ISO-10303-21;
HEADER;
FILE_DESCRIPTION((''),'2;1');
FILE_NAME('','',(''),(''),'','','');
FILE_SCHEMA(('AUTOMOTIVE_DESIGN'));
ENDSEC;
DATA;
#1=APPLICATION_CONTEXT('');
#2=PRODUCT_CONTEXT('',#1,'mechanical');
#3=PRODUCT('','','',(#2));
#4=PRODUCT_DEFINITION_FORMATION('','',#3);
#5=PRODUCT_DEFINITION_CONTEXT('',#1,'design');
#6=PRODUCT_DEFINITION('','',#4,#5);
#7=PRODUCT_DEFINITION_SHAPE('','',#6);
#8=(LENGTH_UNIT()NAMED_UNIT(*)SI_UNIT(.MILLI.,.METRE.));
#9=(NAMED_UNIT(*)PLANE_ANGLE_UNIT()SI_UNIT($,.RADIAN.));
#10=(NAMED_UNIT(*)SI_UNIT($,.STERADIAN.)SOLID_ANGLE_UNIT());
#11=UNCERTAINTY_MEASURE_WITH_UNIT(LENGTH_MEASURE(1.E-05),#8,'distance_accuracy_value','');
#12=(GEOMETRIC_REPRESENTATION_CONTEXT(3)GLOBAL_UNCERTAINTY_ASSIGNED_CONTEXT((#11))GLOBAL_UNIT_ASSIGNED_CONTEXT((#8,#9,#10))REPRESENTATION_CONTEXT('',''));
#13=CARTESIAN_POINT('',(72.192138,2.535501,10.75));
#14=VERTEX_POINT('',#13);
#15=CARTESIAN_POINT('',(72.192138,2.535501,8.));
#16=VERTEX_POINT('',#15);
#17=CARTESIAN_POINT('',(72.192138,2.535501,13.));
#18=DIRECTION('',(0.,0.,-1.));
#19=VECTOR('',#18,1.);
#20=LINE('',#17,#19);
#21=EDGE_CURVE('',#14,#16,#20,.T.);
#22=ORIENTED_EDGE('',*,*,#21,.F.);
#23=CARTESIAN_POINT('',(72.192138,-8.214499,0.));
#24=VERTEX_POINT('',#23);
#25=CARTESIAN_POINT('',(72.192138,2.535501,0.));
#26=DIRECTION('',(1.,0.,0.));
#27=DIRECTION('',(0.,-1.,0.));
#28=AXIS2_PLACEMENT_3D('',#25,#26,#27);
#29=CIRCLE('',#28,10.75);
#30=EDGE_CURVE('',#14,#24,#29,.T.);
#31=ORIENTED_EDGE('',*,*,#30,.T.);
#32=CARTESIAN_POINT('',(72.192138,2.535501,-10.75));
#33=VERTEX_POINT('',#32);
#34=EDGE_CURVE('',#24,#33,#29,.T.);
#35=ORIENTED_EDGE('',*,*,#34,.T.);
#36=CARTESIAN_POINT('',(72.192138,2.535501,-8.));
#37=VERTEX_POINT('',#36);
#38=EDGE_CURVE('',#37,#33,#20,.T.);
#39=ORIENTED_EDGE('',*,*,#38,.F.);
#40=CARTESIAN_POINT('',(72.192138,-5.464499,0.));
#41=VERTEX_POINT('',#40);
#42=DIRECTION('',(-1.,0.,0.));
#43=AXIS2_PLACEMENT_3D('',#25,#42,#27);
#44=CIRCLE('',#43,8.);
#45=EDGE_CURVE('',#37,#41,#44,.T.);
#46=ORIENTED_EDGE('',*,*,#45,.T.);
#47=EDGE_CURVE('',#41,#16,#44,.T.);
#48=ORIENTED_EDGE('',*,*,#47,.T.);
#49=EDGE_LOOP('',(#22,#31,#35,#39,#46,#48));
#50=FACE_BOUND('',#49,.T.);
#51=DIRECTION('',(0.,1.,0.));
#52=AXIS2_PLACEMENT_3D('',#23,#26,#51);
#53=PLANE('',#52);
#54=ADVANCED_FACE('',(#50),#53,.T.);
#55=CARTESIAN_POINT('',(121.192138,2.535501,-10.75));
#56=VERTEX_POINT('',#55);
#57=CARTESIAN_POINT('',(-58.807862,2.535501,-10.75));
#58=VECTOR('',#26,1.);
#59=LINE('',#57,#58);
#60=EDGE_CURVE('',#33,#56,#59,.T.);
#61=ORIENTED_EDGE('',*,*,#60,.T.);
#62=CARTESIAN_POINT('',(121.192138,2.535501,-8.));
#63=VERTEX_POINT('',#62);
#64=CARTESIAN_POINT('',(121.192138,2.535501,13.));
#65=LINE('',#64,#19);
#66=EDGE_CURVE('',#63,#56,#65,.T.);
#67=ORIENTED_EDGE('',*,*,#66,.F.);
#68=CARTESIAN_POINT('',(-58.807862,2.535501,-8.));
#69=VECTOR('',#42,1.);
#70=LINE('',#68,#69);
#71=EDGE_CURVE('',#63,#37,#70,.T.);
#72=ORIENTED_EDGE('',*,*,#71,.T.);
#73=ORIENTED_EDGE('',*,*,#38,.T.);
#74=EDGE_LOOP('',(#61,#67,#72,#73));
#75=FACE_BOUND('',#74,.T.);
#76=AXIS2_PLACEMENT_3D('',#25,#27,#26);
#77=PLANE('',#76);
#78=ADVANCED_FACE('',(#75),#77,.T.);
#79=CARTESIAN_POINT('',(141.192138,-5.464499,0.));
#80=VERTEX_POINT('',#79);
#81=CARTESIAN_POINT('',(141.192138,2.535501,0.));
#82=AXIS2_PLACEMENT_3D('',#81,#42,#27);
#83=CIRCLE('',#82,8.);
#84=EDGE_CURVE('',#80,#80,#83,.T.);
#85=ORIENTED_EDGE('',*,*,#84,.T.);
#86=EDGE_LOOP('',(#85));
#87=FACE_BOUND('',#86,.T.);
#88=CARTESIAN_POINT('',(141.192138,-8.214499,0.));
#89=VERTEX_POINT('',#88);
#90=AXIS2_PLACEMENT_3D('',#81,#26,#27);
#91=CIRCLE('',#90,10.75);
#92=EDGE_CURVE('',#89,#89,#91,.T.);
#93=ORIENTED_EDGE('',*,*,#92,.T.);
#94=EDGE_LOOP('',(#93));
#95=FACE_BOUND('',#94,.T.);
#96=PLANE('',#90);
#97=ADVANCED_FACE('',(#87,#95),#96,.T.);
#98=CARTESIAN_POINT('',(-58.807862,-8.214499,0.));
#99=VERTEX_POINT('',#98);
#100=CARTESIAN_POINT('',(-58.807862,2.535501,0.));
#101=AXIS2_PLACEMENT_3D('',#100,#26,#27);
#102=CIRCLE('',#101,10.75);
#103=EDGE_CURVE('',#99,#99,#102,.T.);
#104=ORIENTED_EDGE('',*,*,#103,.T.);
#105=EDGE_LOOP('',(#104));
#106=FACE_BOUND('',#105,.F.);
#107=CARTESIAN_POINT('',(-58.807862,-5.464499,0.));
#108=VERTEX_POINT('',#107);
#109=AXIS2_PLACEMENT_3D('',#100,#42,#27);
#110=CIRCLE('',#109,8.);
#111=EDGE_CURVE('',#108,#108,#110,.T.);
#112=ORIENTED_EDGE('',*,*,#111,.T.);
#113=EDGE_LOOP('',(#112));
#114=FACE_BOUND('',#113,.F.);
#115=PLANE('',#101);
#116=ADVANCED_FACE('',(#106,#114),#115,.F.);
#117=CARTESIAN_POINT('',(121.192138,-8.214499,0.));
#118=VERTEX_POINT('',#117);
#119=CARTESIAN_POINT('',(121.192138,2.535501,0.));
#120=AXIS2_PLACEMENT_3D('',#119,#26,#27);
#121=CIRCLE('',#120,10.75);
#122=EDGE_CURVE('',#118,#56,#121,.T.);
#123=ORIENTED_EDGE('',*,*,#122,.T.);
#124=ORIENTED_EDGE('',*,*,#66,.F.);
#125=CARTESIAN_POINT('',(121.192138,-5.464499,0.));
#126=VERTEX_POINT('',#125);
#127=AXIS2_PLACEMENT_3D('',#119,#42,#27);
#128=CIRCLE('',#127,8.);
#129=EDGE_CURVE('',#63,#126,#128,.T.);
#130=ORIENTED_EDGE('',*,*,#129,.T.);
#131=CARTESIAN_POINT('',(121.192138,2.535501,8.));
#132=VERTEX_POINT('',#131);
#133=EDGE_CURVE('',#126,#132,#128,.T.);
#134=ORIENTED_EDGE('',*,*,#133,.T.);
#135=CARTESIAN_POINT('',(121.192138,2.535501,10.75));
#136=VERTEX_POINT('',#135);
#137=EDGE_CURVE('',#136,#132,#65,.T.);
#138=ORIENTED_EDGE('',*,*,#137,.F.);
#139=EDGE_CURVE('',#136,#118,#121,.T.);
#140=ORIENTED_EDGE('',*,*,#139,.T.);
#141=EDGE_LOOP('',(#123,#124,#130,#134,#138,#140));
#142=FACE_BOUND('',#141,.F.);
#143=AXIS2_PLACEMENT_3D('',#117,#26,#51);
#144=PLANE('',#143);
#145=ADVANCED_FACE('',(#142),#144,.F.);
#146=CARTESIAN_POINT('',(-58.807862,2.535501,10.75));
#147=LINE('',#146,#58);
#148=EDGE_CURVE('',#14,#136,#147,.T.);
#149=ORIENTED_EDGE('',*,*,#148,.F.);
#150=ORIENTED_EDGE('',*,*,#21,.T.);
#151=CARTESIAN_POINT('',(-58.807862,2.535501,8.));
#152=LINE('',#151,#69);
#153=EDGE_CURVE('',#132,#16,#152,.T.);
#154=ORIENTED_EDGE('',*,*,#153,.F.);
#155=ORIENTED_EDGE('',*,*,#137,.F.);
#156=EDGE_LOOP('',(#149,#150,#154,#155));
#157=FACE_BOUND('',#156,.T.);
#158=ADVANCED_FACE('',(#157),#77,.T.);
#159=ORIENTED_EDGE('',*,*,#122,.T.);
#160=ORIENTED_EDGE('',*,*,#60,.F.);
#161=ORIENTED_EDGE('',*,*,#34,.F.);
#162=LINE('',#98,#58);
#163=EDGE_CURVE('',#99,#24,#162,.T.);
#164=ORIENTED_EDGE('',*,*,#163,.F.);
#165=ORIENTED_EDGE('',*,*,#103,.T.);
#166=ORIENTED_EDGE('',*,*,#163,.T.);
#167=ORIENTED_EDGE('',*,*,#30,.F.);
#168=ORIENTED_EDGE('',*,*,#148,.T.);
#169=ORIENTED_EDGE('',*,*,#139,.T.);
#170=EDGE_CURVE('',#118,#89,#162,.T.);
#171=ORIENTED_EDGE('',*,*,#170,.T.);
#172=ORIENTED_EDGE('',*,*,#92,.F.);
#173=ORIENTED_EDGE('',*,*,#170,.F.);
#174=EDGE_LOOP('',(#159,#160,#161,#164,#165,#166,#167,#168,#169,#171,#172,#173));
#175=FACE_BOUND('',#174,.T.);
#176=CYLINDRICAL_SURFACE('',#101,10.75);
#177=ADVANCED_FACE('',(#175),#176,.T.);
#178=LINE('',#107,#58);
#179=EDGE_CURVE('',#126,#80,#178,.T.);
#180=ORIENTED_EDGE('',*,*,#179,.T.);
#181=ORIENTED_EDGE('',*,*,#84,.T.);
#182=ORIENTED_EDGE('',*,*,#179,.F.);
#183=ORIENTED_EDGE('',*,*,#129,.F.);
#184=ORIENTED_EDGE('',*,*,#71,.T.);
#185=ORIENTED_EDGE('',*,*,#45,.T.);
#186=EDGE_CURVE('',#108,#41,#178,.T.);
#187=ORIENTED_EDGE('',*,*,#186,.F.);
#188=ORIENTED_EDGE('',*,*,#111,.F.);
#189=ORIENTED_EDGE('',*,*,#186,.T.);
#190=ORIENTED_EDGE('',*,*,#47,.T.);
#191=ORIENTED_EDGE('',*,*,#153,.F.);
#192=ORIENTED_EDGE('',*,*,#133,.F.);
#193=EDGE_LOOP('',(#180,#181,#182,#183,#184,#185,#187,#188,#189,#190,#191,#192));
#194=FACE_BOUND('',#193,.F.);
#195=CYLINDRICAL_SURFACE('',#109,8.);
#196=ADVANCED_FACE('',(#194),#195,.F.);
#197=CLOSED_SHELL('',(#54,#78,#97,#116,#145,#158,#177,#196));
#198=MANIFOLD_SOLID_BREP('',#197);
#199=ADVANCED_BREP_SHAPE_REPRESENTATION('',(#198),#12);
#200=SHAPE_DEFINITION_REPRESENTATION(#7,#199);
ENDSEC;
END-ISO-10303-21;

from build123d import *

# Parameters (mm, degrees)
F0_W     = 131
F0_H     = 10.75
F0_W_2   = 49
F0_W_3   = 20
F2_R     = 8
F3_DEPTH = 300
F4_DEPTH = 13


with BuildPart() as f1:
    # F0 (on Top) → F1 (revolve)
    with BuildSketch(Plane.XY):
        with Locations((6.6921378869, -2.8394986279)):
            Rectangle(F0_W, F0_H)
        with Locations((96.6921378869, -2.8394986279)):
            Rectangle(F0_W_2, F0_H)
        with Locations((131.1921378869, -2.8394986279)):
            Rectangle(F0_W_3, F0_H)
    revolve(axis=Axis((41.1921378869, 2.5355013721, 0), (1, 0, 0)))

    # F2 (on face) → F3 (cut)
    with BuildSketch(Plane(origin=(-58.8078621131, 0, 0), x_dir=(0, -1, 0), z_dir=(-1, 0, 0))):
        with Locations((-2.5355013721, 0)):
            Circle(F2_R)
    extrude(amount=-F3_DEPTH, mode=Mode.SUBTRACT)

    # F0 (on Top) → F4 (cut, symmetric)
    with BuildSketch(Plane.XY):
        with Locations((96.6921378869, -2.8394986279)):
            Rectangle(F0_W_2, F0_H)
    extrude(amount=F4_DEPTH, both=True, mode=Mode.SUBTRACT)


solid = f1.part
